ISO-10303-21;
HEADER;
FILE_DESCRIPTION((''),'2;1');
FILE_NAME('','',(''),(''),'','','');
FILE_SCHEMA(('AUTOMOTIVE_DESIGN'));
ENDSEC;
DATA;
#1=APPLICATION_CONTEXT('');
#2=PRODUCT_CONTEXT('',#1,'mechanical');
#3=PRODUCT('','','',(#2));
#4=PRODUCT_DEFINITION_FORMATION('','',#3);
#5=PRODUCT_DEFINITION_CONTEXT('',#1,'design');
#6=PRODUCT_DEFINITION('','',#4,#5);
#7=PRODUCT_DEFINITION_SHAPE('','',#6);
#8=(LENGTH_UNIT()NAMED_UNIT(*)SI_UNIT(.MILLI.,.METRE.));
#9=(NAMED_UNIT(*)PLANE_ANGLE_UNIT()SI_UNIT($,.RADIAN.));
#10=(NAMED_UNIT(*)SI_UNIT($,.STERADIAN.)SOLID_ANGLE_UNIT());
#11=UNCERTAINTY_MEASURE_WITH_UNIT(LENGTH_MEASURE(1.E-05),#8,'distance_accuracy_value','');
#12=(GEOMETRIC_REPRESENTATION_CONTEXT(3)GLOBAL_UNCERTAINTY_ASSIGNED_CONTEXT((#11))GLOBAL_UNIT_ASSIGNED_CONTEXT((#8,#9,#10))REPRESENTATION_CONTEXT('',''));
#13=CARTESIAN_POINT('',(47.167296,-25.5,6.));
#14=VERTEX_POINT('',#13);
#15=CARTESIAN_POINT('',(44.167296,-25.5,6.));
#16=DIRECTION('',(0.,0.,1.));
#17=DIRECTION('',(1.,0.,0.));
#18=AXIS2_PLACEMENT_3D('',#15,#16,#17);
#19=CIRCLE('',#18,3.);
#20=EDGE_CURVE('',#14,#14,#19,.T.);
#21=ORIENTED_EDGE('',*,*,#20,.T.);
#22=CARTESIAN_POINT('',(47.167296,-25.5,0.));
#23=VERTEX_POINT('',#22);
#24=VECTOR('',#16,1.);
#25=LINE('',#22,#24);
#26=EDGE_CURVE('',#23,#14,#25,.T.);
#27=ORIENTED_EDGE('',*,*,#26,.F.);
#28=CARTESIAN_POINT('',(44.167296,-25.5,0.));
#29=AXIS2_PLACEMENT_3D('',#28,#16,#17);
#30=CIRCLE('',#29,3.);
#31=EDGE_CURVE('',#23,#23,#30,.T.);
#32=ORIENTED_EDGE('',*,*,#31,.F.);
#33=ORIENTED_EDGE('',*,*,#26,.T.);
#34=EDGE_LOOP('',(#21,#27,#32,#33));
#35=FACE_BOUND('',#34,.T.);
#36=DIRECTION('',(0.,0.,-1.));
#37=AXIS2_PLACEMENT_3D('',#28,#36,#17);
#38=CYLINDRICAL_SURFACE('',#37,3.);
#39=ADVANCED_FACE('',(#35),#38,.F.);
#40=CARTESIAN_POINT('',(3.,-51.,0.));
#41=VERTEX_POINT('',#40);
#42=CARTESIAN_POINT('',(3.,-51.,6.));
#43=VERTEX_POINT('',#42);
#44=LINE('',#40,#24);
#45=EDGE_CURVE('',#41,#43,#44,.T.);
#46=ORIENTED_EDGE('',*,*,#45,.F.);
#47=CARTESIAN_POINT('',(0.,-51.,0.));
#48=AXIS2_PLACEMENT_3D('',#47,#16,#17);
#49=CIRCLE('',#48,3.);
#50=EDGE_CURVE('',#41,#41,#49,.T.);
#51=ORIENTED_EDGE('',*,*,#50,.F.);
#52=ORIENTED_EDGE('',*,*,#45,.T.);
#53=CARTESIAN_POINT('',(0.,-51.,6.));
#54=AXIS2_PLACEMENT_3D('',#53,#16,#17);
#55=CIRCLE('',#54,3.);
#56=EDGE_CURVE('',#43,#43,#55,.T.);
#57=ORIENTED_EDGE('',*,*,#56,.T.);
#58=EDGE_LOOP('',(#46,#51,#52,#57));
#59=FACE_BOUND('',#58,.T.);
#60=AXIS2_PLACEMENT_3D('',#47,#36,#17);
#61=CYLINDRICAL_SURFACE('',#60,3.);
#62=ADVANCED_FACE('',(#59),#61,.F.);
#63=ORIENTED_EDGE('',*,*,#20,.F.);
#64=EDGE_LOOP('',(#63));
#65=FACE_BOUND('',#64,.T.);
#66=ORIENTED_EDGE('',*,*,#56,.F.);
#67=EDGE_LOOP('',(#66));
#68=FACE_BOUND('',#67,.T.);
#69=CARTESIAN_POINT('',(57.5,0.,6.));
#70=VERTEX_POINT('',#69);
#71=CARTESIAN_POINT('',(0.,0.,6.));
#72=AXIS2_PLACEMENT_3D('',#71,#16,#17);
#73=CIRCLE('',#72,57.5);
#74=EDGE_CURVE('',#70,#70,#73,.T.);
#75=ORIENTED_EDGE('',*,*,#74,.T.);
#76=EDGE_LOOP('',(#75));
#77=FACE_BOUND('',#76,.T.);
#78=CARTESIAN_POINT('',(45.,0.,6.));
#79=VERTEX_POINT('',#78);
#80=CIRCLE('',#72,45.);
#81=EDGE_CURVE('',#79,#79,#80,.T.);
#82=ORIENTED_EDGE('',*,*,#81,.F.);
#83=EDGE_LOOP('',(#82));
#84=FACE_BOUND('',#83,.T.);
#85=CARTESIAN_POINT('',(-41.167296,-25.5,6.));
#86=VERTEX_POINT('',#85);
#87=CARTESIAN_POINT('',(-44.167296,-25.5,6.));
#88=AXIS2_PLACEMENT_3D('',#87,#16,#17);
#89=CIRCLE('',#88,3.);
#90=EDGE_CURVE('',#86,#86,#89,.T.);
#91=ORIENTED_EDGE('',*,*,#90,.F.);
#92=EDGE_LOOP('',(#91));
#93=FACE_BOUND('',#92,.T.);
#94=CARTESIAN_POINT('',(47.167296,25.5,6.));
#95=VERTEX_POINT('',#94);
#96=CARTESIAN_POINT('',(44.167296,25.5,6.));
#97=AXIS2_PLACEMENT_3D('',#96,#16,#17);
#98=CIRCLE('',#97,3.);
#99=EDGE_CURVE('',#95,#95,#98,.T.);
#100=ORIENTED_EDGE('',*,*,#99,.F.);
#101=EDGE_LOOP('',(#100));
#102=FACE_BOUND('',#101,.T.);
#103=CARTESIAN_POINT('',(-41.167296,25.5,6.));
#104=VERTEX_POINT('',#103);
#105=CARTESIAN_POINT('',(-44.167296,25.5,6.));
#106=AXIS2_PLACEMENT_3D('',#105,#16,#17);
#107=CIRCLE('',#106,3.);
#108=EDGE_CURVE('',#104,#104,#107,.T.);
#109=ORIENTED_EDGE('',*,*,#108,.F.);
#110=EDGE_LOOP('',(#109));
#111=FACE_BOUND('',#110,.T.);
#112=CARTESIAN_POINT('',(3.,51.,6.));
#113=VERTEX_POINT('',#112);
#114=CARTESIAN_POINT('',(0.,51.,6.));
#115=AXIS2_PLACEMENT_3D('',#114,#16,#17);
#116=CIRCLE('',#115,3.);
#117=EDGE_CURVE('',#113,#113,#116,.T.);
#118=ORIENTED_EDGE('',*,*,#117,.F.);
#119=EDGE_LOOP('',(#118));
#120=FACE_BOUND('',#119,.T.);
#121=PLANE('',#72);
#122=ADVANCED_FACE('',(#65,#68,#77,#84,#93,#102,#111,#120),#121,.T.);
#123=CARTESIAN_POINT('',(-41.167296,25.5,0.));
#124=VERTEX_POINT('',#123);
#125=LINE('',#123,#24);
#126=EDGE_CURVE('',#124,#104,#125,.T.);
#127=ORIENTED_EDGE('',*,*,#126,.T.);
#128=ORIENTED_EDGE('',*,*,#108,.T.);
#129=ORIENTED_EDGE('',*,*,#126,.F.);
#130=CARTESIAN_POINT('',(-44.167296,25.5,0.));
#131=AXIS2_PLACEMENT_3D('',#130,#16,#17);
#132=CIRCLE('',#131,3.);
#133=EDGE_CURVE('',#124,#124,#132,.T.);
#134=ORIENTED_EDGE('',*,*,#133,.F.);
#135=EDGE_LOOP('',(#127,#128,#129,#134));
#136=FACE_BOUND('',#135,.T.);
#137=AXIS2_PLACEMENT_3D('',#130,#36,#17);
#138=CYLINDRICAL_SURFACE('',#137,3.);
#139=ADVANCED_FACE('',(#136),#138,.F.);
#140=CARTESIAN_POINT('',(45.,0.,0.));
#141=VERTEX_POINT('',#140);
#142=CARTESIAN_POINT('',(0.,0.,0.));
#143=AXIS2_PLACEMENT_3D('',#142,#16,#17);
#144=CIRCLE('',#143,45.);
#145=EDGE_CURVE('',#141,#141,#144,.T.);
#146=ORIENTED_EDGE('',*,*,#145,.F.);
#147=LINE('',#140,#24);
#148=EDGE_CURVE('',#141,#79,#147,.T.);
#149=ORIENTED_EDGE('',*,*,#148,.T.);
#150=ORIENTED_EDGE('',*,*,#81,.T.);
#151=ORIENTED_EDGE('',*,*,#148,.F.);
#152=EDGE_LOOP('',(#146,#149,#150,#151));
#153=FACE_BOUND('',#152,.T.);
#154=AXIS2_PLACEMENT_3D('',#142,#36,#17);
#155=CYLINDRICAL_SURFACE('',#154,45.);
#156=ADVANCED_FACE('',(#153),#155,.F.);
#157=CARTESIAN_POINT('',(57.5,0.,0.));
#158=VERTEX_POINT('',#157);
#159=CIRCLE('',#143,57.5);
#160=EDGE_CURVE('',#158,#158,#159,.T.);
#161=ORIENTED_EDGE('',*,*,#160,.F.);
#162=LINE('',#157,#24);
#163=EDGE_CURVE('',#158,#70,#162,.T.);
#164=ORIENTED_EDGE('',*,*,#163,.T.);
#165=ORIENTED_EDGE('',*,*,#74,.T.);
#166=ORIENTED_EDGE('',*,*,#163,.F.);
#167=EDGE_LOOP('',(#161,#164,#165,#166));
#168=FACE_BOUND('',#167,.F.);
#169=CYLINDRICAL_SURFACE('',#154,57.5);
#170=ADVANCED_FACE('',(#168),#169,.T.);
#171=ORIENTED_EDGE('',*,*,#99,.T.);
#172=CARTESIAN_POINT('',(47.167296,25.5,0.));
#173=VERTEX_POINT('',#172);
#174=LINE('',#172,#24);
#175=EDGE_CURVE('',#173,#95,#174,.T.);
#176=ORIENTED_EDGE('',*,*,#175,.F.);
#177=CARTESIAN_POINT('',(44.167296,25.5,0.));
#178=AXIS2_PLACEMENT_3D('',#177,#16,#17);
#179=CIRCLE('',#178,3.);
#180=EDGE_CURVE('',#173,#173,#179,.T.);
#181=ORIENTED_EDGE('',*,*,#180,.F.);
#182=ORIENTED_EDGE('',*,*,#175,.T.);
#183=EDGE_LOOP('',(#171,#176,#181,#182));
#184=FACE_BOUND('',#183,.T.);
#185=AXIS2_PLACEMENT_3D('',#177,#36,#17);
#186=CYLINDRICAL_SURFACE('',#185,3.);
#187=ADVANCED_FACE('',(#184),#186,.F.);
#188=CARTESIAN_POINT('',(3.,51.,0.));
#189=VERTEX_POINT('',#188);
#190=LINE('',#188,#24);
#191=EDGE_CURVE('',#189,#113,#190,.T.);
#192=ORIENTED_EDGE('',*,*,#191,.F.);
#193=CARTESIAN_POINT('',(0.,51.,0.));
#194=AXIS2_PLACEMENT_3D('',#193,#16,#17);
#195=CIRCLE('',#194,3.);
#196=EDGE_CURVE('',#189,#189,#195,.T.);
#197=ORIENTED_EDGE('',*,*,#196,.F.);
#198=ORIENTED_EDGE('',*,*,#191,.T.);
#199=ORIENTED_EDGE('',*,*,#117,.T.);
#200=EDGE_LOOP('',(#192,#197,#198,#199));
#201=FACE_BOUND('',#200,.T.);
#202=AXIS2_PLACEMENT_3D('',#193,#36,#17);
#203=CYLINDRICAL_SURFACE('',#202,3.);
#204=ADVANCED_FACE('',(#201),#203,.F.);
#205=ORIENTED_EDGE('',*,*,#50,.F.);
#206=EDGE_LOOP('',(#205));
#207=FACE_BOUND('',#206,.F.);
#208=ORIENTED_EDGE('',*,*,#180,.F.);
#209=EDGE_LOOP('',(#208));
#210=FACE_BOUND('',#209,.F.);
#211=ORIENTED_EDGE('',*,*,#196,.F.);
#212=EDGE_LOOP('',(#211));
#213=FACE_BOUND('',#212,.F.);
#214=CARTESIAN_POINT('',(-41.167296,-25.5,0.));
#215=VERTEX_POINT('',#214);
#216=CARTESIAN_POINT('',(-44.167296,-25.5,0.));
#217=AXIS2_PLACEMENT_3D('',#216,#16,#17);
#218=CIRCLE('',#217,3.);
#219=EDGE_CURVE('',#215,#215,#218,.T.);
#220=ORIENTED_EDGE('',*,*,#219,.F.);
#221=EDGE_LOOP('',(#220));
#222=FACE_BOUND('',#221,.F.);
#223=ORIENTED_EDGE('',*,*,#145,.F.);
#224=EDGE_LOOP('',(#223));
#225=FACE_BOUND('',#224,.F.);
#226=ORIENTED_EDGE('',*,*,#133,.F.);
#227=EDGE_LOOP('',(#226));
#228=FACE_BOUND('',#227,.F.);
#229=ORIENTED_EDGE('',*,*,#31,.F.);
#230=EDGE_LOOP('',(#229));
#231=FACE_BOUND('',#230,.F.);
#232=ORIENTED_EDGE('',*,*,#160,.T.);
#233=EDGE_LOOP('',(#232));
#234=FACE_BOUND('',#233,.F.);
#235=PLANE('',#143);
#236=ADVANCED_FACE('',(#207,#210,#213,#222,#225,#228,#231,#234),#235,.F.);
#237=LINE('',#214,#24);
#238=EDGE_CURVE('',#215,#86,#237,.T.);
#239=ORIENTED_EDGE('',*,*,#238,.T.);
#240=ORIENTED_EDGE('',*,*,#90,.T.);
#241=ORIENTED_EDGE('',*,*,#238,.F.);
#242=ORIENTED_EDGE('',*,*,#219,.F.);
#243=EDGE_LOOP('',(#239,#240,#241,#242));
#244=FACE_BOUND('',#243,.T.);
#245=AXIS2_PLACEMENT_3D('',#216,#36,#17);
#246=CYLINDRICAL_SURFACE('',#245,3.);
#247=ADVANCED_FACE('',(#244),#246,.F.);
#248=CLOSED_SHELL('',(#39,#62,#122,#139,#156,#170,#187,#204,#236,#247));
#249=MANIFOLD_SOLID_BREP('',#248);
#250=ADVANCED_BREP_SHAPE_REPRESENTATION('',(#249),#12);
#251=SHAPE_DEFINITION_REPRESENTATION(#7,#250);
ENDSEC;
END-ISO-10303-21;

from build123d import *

# Parameters (mm, degrees)
F0_R     = 57.5
F0_R_2   = 3
F0_R_3   = 45
F1_DEPTH = 6


with BuildPart() as f1:
    # F0 (on Top) → F1 (new body)
    with BuildSketch(Plane.XY):
        Circle(F0_R)
        with Locations((-44.167296, -25.5)):
            Circle(F0_R_2, mode=Mode.SUBTRACT)
        with Locations((0, -51)):
            Circle(F0_R_2, mode=Mode.SUBTRACT)
        with Locations((44.167296, -25.5)):
            Circle(F0_R_2, mode=Mode.SUBTRACT)
        with Locations((-44.167296, 25.5)):
            Circle(F0_R_2, mode=Mode.SUBTRACT)
        Circle(F0_R_3, mode=Mode.SUBTRACT)
        with Locations((44.167296, 25.5)):
            Circle(F0_R_2, mode=Mode.SUBTRACT)
        with Locations((0, 51)):
            Circle(F0_R_2, mode=Mode.SUBTRACT)
    extrude(amount=F1_DEPTH)


solid = f1.part
